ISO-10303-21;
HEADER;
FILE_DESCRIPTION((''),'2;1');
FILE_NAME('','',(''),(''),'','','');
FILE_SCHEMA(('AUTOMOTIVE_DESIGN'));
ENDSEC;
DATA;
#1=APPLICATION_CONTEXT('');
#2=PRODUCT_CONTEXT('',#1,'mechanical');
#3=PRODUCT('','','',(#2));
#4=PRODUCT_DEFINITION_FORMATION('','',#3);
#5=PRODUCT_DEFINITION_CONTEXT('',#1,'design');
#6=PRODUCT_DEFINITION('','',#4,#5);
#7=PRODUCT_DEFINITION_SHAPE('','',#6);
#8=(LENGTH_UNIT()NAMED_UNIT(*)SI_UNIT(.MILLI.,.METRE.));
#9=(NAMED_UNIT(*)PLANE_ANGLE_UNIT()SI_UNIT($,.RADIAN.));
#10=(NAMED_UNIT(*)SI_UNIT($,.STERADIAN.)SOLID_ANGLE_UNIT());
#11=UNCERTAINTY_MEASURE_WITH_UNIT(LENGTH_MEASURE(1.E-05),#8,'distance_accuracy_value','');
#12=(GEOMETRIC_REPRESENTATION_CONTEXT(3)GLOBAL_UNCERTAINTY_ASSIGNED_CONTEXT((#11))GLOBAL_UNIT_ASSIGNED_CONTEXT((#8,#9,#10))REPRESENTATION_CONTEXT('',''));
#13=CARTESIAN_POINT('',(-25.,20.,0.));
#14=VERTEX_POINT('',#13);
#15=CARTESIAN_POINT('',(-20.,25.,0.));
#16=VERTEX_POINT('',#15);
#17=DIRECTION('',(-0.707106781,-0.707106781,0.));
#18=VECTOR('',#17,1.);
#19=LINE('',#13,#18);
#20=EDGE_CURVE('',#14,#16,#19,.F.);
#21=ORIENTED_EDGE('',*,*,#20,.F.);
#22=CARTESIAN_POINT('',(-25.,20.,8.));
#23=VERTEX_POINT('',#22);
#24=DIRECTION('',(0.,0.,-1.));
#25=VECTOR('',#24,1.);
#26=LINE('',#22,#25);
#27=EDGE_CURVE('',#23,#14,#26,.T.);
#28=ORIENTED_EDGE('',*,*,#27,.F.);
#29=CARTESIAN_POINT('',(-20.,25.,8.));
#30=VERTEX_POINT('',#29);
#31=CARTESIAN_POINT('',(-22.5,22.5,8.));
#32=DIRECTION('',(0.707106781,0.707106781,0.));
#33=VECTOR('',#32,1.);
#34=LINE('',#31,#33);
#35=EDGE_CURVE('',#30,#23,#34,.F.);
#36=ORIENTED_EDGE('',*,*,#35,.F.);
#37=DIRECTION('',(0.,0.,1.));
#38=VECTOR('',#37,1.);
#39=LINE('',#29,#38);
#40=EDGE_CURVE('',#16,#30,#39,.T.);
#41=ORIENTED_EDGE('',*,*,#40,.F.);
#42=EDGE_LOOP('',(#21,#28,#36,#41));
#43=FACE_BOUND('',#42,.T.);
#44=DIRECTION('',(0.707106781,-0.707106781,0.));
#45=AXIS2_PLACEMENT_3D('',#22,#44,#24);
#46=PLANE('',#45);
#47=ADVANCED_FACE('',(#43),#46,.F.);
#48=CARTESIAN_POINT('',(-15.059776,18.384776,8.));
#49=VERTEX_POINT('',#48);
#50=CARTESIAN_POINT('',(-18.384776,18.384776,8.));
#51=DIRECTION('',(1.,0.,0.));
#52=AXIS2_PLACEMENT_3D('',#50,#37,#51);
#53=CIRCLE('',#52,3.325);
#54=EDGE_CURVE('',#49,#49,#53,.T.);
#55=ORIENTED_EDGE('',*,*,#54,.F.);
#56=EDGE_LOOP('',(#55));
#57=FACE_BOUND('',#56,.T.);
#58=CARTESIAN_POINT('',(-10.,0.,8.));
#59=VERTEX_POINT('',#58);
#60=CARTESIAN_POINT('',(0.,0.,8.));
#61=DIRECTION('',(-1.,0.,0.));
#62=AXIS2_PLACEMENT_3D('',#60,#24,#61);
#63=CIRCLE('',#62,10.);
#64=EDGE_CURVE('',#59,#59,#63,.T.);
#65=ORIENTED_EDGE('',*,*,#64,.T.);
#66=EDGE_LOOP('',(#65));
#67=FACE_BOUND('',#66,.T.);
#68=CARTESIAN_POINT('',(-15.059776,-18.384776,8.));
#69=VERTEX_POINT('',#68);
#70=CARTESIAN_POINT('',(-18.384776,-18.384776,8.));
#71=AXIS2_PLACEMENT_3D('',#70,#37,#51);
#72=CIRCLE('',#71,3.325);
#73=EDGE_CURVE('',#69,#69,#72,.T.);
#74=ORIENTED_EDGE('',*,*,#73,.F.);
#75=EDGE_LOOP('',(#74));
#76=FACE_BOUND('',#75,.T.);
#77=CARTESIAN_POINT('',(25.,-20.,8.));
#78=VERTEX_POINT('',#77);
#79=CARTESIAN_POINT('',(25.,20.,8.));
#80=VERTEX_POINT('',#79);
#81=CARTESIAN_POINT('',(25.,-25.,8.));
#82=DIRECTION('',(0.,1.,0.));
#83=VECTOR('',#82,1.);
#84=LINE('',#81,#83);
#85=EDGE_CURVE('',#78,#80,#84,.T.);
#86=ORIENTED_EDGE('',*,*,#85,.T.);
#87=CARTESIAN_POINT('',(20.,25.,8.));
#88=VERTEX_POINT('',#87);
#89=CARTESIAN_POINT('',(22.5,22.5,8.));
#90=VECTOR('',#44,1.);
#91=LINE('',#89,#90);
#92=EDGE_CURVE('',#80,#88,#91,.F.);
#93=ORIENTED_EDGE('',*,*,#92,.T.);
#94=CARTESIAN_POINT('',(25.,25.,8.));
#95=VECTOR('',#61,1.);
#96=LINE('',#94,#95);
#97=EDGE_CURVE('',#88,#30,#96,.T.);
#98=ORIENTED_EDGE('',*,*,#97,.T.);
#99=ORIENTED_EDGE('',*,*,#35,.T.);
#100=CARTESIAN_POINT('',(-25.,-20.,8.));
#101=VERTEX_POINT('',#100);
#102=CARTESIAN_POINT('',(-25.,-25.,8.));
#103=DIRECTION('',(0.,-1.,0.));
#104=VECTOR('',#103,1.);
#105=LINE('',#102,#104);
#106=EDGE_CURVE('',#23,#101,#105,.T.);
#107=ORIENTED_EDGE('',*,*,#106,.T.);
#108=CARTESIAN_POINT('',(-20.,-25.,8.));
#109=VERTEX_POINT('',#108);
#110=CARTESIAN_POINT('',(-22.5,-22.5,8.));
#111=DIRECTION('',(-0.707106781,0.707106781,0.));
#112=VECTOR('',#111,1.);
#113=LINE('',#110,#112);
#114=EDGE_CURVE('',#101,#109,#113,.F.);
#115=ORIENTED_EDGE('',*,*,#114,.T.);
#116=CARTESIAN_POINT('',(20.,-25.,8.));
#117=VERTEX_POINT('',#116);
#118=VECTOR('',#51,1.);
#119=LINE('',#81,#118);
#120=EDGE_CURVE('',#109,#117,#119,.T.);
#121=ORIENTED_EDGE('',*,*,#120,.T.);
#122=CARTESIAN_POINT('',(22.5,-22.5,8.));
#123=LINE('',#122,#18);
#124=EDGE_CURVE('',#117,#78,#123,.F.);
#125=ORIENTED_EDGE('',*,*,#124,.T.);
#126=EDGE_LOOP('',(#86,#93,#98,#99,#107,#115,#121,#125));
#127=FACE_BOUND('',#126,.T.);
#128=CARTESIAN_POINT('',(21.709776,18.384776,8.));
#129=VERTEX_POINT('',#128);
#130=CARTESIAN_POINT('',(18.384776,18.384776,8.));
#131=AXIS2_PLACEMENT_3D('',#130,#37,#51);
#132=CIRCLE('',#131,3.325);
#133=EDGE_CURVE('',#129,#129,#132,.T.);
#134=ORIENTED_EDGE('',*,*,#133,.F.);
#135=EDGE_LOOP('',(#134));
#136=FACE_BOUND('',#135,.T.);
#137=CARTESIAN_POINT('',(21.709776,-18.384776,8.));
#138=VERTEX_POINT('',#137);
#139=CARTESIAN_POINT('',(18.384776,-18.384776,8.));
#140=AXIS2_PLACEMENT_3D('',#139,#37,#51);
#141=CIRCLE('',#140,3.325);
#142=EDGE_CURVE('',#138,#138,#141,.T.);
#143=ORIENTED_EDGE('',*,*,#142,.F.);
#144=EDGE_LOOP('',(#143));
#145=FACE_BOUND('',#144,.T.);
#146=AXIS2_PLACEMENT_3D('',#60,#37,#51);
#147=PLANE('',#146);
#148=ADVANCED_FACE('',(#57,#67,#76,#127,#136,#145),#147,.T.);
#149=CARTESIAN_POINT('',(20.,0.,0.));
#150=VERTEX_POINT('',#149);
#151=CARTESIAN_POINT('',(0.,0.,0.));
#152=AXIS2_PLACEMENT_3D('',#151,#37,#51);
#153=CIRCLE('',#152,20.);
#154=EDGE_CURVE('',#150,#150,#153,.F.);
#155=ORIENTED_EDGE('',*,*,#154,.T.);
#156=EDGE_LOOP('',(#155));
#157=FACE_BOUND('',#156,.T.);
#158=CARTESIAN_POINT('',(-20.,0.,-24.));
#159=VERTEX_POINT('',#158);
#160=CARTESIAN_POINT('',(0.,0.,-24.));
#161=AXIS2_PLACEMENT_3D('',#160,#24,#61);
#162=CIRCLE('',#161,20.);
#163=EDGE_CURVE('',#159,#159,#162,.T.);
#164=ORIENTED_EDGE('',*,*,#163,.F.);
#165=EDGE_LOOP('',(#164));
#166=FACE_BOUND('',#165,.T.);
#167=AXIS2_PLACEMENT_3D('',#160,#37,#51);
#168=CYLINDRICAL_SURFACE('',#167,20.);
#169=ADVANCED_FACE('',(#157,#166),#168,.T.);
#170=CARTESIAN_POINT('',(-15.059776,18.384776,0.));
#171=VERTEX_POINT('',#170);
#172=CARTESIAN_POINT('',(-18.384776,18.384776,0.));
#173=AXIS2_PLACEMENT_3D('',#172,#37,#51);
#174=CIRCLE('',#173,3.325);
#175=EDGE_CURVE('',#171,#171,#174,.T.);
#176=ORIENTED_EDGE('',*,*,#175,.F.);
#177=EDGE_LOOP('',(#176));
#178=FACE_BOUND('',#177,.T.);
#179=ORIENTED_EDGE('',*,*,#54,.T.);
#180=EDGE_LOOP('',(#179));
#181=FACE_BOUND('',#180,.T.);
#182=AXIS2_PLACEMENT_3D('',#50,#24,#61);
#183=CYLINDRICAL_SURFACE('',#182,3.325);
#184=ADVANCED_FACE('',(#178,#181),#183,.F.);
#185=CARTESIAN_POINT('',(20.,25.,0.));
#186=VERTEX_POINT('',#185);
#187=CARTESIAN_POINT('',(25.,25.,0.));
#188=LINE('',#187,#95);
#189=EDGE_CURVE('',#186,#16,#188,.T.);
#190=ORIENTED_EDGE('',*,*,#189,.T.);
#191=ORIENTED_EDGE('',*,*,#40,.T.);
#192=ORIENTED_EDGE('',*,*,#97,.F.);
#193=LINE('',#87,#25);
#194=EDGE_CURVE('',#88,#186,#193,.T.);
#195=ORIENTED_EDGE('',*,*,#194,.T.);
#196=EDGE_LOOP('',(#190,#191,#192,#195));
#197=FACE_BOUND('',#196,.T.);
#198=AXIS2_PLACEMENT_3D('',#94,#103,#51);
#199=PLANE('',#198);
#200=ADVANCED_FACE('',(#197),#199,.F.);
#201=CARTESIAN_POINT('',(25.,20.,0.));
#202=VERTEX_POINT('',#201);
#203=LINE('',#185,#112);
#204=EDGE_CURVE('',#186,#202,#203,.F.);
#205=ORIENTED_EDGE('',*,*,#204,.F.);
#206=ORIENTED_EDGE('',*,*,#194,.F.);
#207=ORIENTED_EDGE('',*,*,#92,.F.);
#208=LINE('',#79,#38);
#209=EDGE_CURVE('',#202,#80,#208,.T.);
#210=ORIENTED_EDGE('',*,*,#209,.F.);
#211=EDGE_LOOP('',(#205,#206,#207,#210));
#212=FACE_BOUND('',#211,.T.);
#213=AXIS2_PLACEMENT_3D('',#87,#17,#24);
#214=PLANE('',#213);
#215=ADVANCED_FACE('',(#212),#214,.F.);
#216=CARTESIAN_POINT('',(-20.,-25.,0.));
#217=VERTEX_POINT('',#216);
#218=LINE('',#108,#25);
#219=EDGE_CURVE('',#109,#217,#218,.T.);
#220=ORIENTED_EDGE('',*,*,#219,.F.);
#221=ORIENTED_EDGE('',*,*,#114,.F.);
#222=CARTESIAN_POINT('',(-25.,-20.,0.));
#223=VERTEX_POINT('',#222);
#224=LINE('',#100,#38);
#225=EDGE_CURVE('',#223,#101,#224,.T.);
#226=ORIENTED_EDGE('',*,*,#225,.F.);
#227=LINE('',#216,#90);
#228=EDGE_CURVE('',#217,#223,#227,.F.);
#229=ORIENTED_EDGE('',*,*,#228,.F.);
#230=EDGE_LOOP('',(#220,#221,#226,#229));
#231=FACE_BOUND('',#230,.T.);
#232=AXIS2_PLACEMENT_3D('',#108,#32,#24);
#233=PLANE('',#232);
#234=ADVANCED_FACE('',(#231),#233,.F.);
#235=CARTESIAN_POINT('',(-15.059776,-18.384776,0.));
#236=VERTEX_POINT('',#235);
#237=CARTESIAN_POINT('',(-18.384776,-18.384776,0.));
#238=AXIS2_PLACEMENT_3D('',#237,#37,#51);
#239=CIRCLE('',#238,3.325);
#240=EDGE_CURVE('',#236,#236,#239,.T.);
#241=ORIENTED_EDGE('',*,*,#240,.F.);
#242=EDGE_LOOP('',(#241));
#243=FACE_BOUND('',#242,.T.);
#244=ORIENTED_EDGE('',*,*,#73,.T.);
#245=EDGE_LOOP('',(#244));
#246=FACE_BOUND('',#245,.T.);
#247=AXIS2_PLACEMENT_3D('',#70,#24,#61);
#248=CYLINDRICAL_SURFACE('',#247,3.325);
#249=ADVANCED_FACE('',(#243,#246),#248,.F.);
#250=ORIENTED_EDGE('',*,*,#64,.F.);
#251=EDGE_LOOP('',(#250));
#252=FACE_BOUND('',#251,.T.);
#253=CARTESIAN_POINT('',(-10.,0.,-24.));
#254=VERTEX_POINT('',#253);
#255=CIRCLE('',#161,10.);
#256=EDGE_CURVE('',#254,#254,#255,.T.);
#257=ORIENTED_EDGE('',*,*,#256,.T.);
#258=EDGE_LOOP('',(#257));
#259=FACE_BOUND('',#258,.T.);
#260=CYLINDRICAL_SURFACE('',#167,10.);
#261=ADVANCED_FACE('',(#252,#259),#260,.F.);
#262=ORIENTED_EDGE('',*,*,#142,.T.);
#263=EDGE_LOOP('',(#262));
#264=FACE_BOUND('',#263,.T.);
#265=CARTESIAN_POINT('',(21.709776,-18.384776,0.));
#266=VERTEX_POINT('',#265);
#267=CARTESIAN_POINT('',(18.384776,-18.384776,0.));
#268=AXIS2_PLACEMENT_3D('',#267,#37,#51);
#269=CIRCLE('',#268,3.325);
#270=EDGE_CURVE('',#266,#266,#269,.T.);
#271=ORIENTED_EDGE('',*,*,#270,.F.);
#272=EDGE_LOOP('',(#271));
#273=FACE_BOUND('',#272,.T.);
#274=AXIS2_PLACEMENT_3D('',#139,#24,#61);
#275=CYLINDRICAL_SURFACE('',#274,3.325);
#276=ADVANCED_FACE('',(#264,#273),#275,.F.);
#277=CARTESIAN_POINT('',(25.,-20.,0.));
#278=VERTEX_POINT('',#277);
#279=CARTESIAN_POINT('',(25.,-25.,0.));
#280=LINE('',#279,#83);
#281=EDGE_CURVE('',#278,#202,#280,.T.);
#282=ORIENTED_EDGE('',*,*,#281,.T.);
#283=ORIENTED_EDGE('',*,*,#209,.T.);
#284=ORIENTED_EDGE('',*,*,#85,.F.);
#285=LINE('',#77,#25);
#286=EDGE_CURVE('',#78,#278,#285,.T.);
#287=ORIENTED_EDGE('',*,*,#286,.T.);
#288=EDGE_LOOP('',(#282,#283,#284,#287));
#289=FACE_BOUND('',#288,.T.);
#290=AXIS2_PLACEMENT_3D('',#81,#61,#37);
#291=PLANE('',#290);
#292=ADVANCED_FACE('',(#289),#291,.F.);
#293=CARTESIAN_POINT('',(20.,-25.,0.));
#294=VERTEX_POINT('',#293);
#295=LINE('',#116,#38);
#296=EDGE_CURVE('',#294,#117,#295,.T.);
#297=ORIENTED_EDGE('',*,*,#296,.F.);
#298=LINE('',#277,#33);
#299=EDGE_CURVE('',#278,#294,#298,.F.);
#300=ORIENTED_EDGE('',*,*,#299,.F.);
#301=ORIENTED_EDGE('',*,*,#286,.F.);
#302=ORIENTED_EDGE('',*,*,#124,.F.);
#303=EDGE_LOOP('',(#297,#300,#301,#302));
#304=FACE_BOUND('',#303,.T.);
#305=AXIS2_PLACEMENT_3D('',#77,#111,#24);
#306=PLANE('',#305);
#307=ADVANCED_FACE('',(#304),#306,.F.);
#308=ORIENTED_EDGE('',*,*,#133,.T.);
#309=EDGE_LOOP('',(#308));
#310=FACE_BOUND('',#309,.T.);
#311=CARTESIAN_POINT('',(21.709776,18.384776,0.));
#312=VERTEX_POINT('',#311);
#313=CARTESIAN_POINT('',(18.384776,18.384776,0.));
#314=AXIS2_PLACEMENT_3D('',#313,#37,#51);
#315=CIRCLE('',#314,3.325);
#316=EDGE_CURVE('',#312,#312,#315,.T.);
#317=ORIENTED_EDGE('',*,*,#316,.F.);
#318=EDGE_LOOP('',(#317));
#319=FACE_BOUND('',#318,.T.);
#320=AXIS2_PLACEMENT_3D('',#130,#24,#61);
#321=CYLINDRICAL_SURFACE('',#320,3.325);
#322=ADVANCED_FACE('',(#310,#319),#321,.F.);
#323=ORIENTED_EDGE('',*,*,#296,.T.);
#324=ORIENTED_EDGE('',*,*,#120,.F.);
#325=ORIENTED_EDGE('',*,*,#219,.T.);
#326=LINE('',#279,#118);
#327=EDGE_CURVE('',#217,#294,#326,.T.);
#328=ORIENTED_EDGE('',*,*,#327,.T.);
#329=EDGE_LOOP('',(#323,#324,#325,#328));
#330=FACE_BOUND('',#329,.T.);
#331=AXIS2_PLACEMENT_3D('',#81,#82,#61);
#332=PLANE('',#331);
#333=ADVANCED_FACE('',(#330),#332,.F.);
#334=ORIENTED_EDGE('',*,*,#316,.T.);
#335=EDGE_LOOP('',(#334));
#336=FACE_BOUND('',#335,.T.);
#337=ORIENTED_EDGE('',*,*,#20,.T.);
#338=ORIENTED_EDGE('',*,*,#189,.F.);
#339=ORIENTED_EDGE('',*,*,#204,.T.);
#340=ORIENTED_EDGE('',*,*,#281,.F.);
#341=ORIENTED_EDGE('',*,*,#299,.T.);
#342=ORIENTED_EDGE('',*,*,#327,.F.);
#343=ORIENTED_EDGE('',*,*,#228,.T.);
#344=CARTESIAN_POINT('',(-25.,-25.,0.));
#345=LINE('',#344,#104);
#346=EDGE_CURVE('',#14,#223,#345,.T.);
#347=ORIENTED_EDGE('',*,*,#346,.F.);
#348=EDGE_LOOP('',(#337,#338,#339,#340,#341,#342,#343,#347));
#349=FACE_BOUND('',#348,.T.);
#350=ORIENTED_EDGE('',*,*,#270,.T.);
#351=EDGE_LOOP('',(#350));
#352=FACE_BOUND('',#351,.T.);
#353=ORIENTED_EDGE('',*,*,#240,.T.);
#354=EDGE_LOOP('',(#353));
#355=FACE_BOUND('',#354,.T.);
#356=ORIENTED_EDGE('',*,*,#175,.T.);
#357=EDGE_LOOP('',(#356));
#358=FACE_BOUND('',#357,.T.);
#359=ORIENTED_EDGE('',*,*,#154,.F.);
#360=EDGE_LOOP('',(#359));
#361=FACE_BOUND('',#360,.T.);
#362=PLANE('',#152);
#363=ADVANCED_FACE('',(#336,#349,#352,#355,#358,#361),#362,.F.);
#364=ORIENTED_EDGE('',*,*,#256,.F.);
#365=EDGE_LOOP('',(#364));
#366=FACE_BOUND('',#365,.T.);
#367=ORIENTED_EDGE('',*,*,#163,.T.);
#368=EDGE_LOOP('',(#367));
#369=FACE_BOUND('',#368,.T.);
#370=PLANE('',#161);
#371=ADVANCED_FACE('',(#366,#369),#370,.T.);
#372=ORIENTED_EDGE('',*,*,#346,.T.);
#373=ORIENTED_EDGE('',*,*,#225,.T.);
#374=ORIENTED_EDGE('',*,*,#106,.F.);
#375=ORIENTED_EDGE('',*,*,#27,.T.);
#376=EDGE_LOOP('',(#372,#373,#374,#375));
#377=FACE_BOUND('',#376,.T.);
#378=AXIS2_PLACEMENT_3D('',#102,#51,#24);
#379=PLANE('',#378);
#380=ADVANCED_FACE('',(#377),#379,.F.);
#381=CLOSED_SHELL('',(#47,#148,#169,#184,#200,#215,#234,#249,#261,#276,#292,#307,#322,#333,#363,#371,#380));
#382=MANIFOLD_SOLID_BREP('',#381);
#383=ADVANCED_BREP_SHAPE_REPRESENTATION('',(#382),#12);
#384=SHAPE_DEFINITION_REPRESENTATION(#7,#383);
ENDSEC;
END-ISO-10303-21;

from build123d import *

# Parameters (mm, degrees)
SKETCH_1_W          = 50
SKETCH_1_H          = 50
SKETCH_1_R          = 3.325
EXTRUDE_1_DEPTH     = 8
CHAMFER_1_SIZE      = 5
SKETCH_2_R          = 20
SKETCH_2_R_2        = 10
EXTRUDE_2_DEPTH     = 24
SKETCH_3_R          = 10
CUT_EXTRUDE_1_DEPTH = 43.731721238


with BuildPart() as part:
    # 草图1 → 凸台-拉伸1 (new body)
    with BuildSketch(Plane.XY):
        Rectangle(SKETCH_1_W, SKETCH_1_H)
        with Locations((-18.384776311, 18.384776311)):
            Circle(SKETCH_1_R, mode=Mode.SUBTRACT)
        with Locations((18.384776311, 18.384776311)):
            Circle(SKETCH_1_R, mode=Mode.SUBTRACT)
        with Locations((18.384776311, -18.384776311)):
            Circle(SKETCH_1_R, mode=Mode.SUBTRACT)
        with Locations((-18.384776311, -18.384776311)):
            Circle(SKETCH_1_R, mode=Mode.SUBTRACT)
    extrude(amount=EXTRUDE_1_DEPTH)

    # 倒角1
    chamfer_1_edges = [part.edges().sort_by_distance(p)[0] for p in [
        (-25, 25, 4),
        (25, 25, 4),
        (25, -25, 4),
        (-25, -25, 4),
    ]]
    chamfer(chamfer_1_edges, length=CHAMFER_1_SIZE)

    # 草图2 → 凸台-拉伸2 (add)
    with BuildSketch(Plane(origin=(0, 0, 0), x_dir=(-1, 0, 0), z_dir=(0, 0, -1))):
        with Locations(Location((0, 0, 0), (0, 0, 180))):
            Circle(SKETCH_2_R)
        Circle(SKETCH_2_R_2, mode=Mode.SUBTRACT)
    extrude(amount=EXTRUDE_2_DEPTH)

    # 草图3 → 切除-拉伸1 (cut, through all)
    with BuildSketch(Plane(origin=(0, 0, 0), x_dir=(-1, 0, 0), z_dir=(0, 0, -1))):
        Circle(SKETCH_3_R)
    extrude(amount=-CUT_EXTRUDE_1_DEPTH, mode=Mode.SUBTRACT)


solid = part.part
